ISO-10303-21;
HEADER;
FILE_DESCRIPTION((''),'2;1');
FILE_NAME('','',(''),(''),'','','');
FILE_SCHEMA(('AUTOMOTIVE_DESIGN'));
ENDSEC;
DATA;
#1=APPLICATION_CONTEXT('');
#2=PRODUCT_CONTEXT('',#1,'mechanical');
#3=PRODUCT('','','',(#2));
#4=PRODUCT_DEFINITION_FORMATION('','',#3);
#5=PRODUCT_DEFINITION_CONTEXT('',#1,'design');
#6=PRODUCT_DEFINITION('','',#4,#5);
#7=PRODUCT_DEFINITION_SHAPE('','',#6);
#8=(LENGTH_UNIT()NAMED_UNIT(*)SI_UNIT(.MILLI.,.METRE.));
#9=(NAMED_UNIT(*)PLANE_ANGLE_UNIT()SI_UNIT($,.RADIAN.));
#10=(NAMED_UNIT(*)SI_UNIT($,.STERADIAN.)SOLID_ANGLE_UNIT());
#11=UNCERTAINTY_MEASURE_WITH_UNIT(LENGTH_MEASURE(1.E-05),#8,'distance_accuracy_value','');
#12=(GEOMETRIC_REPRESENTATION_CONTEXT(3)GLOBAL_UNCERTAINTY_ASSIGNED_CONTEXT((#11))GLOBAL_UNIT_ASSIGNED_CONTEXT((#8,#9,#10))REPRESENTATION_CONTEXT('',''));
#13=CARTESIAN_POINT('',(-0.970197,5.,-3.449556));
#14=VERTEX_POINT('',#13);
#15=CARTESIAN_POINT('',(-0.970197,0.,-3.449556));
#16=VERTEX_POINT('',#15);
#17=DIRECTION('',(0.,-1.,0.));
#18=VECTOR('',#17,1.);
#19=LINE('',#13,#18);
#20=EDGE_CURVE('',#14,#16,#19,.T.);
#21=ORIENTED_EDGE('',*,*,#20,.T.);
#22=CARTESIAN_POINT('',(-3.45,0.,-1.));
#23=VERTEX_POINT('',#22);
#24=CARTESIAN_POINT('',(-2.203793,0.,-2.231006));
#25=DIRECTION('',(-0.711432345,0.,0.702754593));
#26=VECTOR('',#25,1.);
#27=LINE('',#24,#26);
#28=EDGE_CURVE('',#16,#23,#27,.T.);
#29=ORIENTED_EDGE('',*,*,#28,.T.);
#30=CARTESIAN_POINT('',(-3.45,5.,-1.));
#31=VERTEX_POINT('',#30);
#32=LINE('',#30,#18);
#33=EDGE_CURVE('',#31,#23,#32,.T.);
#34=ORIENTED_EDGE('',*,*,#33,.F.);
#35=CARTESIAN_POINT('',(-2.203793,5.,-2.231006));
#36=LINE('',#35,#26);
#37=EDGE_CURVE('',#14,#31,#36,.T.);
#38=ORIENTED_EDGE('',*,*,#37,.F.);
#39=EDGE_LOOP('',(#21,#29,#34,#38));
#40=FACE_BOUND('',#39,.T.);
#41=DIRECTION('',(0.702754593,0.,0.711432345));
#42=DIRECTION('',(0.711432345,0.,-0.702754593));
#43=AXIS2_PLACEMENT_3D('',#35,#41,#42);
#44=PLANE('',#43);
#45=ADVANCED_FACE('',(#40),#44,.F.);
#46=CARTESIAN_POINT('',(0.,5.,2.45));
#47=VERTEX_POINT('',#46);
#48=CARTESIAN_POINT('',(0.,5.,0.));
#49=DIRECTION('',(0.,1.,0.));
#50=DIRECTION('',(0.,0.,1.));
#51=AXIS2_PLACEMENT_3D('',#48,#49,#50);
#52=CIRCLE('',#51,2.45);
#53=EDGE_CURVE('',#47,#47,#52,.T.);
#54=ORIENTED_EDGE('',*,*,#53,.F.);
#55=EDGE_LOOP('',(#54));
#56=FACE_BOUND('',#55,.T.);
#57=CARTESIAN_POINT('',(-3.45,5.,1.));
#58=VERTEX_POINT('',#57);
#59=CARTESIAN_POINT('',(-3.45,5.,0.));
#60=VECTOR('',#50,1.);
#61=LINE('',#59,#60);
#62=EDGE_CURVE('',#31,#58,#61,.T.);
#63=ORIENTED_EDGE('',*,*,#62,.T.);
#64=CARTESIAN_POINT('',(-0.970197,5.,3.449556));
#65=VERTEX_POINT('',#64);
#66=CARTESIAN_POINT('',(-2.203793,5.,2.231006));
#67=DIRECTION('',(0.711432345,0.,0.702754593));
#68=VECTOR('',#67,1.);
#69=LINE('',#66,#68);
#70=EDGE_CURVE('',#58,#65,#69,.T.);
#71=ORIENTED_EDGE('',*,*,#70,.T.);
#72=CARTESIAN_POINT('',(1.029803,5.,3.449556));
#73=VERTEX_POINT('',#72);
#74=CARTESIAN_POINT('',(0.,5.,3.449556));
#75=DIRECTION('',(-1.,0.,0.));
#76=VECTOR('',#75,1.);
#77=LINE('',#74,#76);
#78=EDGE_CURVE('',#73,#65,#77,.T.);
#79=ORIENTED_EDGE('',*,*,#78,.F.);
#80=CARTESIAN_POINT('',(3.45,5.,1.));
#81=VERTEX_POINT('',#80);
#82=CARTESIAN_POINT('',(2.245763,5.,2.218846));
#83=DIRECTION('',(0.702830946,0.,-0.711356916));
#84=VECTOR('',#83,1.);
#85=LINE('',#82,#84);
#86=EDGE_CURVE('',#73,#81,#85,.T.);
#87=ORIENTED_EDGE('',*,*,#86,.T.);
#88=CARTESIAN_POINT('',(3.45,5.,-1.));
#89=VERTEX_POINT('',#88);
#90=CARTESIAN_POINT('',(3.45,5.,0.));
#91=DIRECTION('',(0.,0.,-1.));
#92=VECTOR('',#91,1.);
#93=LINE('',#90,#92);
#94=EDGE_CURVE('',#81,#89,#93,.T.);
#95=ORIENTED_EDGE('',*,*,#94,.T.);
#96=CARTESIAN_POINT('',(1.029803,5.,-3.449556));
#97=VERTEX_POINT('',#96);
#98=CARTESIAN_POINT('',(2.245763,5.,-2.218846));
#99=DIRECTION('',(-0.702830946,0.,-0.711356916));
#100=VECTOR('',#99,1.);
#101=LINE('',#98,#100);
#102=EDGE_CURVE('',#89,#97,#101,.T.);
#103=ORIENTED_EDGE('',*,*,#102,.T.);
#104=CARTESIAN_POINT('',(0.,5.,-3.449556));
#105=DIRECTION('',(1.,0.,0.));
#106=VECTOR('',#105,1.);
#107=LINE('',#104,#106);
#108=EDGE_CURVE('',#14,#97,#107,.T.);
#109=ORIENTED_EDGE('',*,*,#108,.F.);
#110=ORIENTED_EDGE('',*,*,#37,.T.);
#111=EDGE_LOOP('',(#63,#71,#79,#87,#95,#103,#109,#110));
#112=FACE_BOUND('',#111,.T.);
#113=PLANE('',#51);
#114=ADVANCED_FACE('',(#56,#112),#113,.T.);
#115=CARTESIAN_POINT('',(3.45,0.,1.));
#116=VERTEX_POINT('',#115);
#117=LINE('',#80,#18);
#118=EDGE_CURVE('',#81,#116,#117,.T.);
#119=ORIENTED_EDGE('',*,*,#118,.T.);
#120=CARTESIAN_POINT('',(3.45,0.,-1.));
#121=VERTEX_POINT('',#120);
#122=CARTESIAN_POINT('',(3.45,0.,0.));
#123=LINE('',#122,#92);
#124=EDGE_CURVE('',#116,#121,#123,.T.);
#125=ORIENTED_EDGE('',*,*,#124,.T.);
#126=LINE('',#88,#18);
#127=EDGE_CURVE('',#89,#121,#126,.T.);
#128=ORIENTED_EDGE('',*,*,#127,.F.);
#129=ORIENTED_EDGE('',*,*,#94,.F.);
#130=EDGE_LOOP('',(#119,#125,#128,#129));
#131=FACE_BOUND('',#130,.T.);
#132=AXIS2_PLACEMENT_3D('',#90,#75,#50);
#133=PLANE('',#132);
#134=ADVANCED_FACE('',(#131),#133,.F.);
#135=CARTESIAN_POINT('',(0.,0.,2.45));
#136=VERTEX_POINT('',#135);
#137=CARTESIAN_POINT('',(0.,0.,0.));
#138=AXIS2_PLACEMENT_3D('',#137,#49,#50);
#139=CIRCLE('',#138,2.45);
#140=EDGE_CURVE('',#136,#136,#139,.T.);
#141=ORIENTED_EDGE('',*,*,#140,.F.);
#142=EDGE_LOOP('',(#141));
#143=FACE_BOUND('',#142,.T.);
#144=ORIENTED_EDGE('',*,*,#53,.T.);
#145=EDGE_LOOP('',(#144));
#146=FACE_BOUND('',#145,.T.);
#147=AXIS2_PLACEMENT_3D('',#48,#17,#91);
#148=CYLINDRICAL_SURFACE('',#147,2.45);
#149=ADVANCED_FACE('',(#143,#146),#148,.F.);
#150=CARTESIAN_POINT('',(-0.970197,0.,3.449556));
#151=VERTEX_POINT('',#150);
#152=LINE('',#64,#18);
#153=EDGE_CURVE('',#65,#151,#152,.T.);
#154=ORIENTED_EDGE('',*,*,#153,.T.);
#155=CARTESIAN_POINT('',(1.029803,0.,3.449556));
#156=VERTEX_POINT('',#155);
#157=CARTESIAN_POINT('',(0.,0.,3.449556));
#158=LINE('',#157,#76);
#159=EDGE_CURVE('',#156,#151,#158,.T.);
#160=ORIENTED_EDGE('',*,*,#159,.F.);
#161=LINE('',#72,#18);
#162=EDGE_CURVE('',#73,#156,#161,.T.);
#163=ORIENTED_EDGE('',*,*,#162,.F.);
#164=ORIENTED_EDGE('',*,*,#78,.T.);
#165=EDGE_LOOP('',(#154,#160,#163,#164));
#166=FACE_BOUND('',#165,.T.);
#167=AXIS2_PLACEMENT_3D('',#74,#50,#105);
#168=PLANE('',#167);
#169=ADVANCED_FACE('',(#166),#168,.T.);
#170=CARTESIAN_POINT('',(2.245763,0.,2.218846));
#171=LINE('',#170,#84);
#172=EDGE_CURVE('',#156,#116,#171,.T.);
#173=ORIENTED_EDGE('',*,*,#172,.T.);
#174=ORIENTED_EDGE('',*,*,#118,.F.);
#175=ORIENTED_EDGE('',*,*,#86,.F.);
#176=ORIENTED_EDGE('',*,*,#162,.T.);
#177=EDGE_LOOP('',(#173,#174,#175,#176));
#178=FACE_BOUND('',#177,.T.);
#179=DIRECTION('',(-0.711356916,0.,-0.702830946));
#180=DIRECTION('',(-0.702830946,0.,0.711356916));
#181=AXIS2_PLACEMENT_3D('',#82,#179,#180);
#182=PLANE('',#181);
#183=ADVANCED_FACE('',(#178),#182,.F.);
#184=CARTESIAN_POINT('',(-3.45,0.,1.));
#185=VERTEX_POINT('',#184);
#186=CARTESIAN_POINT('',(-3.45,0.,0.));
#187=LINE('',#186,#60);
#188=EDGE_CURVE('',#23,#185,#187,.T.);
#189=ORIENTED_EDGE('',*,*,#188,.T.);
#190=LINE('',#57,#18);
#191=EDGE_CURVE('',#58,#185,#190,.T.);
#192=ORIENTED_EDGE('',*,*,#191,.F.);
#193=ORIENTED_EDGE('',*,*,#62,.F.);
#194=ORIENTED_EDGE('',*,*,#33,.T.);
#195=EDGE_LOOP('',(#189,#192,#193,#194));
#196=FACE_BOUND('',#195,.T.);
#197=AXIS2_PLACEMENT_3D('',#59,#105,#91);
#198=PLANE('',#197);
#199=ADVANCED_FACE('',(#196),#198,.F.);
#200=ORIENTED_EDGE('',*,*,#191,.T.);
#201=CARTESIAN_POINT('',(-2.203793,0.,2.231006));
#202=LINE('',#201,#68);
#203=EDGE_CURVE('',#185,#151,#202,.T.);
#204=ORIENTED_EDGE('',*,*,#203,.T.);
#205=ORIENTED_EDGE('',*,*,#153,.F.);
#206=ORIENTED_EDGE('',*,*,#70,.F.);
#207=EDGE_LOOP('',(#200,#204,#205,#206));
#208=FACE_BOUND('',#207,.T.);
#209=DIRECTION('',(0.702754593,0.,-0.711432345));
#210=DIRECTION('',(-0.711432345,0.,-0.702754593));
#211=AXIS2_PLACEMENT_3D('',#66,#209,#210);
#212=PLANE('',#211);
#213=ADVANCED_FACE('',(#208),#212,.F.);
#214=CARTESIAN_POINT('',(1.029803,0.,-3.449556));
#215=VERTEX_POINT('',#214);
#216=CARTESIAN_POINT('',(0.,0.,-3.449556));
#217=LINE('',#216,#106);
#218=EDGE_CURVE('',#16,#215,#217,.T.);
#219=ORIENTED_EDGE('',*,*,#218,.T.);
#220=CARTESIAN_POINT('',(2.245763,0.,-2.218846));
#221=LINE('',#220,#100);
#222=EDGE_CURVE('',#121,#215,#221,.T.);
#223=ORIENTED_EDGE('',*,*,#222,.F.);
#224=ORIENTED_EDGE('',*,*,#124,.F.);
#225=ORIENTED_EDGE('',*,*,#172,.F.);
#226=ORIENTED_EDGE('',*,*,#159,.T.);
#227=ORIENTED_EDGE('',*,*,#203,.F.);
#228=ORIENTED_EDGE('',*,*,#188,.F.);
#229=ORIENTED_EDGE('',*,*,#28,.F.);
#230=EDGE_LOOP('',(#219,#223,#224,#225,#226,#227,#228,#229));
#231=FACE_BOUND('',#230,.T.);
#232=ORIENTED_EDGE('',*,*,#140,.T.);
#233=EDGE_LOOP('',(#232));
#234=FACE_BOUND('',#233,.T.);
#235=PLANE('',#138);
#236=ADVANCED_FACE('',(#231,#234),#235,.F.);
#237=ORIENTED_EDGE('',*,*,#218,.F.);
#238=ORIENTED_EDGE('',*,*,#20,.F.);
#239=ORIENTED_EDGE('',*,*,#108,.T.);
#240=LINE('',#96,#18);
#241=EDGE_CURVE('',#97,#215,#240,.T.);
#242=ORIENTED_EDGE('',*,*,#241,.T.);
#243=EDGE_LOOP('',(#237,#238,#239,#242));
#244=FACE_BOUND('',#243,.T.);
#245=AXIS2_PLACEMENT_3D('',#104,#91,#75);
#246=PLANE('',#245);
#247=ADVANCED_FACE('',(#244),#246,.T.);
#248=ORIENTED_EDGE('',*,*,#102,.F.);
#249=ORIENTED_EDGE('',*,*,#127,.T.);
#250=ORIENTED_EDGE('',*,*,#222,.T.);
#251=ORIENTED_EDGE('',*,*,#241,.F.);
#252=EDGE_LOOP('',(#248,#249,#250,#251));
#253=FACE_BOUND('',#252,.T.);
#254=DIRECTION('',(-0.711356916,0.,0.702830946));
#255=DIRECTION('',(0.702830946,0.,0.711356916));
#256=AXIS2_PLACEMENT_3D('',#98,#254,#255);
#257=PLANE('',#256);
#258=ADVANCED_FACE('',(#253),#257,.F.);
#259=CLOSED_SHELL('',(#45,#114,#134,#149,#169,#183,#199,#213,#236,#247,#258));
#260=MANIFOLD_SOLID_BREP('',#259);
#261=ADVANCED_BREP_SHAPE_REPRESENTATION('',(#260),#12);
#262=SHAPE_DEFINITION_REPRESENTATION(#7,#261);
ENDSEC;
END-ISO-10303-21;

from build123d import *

# Parameters (mm, degrees)
CROQUIS1_R              = 2.45
SALIENTE_EXTRUIR1_DEPTH = 5


with BuildPart() as part:
    # Croquis1 → Saliente-Extruir1 (new body)
    with BuildSketch(Plane(origin=(0, 0, 0), x_dir=(1, 0, 0), z_dir=(0, 1, 0))):
        Polygon((0.029803377, 3.449555781), (-0.970196623, 3.449555781), (-3.45, 1), (-3.45, -1), (-0.970196623, -3.449555781), (0.029803377, -3.449555781), (1.029803377, -3.449555781), (3.45, -1), (3.45, 1), (1.029803377, 3.449555781), align=None)
        Circle(CROQUIS1_R, mode=Mode.SUBTRACT)
    extrude(amount=SALIENTE_EXTRUIR1_DEPTH)


solid = part.part
